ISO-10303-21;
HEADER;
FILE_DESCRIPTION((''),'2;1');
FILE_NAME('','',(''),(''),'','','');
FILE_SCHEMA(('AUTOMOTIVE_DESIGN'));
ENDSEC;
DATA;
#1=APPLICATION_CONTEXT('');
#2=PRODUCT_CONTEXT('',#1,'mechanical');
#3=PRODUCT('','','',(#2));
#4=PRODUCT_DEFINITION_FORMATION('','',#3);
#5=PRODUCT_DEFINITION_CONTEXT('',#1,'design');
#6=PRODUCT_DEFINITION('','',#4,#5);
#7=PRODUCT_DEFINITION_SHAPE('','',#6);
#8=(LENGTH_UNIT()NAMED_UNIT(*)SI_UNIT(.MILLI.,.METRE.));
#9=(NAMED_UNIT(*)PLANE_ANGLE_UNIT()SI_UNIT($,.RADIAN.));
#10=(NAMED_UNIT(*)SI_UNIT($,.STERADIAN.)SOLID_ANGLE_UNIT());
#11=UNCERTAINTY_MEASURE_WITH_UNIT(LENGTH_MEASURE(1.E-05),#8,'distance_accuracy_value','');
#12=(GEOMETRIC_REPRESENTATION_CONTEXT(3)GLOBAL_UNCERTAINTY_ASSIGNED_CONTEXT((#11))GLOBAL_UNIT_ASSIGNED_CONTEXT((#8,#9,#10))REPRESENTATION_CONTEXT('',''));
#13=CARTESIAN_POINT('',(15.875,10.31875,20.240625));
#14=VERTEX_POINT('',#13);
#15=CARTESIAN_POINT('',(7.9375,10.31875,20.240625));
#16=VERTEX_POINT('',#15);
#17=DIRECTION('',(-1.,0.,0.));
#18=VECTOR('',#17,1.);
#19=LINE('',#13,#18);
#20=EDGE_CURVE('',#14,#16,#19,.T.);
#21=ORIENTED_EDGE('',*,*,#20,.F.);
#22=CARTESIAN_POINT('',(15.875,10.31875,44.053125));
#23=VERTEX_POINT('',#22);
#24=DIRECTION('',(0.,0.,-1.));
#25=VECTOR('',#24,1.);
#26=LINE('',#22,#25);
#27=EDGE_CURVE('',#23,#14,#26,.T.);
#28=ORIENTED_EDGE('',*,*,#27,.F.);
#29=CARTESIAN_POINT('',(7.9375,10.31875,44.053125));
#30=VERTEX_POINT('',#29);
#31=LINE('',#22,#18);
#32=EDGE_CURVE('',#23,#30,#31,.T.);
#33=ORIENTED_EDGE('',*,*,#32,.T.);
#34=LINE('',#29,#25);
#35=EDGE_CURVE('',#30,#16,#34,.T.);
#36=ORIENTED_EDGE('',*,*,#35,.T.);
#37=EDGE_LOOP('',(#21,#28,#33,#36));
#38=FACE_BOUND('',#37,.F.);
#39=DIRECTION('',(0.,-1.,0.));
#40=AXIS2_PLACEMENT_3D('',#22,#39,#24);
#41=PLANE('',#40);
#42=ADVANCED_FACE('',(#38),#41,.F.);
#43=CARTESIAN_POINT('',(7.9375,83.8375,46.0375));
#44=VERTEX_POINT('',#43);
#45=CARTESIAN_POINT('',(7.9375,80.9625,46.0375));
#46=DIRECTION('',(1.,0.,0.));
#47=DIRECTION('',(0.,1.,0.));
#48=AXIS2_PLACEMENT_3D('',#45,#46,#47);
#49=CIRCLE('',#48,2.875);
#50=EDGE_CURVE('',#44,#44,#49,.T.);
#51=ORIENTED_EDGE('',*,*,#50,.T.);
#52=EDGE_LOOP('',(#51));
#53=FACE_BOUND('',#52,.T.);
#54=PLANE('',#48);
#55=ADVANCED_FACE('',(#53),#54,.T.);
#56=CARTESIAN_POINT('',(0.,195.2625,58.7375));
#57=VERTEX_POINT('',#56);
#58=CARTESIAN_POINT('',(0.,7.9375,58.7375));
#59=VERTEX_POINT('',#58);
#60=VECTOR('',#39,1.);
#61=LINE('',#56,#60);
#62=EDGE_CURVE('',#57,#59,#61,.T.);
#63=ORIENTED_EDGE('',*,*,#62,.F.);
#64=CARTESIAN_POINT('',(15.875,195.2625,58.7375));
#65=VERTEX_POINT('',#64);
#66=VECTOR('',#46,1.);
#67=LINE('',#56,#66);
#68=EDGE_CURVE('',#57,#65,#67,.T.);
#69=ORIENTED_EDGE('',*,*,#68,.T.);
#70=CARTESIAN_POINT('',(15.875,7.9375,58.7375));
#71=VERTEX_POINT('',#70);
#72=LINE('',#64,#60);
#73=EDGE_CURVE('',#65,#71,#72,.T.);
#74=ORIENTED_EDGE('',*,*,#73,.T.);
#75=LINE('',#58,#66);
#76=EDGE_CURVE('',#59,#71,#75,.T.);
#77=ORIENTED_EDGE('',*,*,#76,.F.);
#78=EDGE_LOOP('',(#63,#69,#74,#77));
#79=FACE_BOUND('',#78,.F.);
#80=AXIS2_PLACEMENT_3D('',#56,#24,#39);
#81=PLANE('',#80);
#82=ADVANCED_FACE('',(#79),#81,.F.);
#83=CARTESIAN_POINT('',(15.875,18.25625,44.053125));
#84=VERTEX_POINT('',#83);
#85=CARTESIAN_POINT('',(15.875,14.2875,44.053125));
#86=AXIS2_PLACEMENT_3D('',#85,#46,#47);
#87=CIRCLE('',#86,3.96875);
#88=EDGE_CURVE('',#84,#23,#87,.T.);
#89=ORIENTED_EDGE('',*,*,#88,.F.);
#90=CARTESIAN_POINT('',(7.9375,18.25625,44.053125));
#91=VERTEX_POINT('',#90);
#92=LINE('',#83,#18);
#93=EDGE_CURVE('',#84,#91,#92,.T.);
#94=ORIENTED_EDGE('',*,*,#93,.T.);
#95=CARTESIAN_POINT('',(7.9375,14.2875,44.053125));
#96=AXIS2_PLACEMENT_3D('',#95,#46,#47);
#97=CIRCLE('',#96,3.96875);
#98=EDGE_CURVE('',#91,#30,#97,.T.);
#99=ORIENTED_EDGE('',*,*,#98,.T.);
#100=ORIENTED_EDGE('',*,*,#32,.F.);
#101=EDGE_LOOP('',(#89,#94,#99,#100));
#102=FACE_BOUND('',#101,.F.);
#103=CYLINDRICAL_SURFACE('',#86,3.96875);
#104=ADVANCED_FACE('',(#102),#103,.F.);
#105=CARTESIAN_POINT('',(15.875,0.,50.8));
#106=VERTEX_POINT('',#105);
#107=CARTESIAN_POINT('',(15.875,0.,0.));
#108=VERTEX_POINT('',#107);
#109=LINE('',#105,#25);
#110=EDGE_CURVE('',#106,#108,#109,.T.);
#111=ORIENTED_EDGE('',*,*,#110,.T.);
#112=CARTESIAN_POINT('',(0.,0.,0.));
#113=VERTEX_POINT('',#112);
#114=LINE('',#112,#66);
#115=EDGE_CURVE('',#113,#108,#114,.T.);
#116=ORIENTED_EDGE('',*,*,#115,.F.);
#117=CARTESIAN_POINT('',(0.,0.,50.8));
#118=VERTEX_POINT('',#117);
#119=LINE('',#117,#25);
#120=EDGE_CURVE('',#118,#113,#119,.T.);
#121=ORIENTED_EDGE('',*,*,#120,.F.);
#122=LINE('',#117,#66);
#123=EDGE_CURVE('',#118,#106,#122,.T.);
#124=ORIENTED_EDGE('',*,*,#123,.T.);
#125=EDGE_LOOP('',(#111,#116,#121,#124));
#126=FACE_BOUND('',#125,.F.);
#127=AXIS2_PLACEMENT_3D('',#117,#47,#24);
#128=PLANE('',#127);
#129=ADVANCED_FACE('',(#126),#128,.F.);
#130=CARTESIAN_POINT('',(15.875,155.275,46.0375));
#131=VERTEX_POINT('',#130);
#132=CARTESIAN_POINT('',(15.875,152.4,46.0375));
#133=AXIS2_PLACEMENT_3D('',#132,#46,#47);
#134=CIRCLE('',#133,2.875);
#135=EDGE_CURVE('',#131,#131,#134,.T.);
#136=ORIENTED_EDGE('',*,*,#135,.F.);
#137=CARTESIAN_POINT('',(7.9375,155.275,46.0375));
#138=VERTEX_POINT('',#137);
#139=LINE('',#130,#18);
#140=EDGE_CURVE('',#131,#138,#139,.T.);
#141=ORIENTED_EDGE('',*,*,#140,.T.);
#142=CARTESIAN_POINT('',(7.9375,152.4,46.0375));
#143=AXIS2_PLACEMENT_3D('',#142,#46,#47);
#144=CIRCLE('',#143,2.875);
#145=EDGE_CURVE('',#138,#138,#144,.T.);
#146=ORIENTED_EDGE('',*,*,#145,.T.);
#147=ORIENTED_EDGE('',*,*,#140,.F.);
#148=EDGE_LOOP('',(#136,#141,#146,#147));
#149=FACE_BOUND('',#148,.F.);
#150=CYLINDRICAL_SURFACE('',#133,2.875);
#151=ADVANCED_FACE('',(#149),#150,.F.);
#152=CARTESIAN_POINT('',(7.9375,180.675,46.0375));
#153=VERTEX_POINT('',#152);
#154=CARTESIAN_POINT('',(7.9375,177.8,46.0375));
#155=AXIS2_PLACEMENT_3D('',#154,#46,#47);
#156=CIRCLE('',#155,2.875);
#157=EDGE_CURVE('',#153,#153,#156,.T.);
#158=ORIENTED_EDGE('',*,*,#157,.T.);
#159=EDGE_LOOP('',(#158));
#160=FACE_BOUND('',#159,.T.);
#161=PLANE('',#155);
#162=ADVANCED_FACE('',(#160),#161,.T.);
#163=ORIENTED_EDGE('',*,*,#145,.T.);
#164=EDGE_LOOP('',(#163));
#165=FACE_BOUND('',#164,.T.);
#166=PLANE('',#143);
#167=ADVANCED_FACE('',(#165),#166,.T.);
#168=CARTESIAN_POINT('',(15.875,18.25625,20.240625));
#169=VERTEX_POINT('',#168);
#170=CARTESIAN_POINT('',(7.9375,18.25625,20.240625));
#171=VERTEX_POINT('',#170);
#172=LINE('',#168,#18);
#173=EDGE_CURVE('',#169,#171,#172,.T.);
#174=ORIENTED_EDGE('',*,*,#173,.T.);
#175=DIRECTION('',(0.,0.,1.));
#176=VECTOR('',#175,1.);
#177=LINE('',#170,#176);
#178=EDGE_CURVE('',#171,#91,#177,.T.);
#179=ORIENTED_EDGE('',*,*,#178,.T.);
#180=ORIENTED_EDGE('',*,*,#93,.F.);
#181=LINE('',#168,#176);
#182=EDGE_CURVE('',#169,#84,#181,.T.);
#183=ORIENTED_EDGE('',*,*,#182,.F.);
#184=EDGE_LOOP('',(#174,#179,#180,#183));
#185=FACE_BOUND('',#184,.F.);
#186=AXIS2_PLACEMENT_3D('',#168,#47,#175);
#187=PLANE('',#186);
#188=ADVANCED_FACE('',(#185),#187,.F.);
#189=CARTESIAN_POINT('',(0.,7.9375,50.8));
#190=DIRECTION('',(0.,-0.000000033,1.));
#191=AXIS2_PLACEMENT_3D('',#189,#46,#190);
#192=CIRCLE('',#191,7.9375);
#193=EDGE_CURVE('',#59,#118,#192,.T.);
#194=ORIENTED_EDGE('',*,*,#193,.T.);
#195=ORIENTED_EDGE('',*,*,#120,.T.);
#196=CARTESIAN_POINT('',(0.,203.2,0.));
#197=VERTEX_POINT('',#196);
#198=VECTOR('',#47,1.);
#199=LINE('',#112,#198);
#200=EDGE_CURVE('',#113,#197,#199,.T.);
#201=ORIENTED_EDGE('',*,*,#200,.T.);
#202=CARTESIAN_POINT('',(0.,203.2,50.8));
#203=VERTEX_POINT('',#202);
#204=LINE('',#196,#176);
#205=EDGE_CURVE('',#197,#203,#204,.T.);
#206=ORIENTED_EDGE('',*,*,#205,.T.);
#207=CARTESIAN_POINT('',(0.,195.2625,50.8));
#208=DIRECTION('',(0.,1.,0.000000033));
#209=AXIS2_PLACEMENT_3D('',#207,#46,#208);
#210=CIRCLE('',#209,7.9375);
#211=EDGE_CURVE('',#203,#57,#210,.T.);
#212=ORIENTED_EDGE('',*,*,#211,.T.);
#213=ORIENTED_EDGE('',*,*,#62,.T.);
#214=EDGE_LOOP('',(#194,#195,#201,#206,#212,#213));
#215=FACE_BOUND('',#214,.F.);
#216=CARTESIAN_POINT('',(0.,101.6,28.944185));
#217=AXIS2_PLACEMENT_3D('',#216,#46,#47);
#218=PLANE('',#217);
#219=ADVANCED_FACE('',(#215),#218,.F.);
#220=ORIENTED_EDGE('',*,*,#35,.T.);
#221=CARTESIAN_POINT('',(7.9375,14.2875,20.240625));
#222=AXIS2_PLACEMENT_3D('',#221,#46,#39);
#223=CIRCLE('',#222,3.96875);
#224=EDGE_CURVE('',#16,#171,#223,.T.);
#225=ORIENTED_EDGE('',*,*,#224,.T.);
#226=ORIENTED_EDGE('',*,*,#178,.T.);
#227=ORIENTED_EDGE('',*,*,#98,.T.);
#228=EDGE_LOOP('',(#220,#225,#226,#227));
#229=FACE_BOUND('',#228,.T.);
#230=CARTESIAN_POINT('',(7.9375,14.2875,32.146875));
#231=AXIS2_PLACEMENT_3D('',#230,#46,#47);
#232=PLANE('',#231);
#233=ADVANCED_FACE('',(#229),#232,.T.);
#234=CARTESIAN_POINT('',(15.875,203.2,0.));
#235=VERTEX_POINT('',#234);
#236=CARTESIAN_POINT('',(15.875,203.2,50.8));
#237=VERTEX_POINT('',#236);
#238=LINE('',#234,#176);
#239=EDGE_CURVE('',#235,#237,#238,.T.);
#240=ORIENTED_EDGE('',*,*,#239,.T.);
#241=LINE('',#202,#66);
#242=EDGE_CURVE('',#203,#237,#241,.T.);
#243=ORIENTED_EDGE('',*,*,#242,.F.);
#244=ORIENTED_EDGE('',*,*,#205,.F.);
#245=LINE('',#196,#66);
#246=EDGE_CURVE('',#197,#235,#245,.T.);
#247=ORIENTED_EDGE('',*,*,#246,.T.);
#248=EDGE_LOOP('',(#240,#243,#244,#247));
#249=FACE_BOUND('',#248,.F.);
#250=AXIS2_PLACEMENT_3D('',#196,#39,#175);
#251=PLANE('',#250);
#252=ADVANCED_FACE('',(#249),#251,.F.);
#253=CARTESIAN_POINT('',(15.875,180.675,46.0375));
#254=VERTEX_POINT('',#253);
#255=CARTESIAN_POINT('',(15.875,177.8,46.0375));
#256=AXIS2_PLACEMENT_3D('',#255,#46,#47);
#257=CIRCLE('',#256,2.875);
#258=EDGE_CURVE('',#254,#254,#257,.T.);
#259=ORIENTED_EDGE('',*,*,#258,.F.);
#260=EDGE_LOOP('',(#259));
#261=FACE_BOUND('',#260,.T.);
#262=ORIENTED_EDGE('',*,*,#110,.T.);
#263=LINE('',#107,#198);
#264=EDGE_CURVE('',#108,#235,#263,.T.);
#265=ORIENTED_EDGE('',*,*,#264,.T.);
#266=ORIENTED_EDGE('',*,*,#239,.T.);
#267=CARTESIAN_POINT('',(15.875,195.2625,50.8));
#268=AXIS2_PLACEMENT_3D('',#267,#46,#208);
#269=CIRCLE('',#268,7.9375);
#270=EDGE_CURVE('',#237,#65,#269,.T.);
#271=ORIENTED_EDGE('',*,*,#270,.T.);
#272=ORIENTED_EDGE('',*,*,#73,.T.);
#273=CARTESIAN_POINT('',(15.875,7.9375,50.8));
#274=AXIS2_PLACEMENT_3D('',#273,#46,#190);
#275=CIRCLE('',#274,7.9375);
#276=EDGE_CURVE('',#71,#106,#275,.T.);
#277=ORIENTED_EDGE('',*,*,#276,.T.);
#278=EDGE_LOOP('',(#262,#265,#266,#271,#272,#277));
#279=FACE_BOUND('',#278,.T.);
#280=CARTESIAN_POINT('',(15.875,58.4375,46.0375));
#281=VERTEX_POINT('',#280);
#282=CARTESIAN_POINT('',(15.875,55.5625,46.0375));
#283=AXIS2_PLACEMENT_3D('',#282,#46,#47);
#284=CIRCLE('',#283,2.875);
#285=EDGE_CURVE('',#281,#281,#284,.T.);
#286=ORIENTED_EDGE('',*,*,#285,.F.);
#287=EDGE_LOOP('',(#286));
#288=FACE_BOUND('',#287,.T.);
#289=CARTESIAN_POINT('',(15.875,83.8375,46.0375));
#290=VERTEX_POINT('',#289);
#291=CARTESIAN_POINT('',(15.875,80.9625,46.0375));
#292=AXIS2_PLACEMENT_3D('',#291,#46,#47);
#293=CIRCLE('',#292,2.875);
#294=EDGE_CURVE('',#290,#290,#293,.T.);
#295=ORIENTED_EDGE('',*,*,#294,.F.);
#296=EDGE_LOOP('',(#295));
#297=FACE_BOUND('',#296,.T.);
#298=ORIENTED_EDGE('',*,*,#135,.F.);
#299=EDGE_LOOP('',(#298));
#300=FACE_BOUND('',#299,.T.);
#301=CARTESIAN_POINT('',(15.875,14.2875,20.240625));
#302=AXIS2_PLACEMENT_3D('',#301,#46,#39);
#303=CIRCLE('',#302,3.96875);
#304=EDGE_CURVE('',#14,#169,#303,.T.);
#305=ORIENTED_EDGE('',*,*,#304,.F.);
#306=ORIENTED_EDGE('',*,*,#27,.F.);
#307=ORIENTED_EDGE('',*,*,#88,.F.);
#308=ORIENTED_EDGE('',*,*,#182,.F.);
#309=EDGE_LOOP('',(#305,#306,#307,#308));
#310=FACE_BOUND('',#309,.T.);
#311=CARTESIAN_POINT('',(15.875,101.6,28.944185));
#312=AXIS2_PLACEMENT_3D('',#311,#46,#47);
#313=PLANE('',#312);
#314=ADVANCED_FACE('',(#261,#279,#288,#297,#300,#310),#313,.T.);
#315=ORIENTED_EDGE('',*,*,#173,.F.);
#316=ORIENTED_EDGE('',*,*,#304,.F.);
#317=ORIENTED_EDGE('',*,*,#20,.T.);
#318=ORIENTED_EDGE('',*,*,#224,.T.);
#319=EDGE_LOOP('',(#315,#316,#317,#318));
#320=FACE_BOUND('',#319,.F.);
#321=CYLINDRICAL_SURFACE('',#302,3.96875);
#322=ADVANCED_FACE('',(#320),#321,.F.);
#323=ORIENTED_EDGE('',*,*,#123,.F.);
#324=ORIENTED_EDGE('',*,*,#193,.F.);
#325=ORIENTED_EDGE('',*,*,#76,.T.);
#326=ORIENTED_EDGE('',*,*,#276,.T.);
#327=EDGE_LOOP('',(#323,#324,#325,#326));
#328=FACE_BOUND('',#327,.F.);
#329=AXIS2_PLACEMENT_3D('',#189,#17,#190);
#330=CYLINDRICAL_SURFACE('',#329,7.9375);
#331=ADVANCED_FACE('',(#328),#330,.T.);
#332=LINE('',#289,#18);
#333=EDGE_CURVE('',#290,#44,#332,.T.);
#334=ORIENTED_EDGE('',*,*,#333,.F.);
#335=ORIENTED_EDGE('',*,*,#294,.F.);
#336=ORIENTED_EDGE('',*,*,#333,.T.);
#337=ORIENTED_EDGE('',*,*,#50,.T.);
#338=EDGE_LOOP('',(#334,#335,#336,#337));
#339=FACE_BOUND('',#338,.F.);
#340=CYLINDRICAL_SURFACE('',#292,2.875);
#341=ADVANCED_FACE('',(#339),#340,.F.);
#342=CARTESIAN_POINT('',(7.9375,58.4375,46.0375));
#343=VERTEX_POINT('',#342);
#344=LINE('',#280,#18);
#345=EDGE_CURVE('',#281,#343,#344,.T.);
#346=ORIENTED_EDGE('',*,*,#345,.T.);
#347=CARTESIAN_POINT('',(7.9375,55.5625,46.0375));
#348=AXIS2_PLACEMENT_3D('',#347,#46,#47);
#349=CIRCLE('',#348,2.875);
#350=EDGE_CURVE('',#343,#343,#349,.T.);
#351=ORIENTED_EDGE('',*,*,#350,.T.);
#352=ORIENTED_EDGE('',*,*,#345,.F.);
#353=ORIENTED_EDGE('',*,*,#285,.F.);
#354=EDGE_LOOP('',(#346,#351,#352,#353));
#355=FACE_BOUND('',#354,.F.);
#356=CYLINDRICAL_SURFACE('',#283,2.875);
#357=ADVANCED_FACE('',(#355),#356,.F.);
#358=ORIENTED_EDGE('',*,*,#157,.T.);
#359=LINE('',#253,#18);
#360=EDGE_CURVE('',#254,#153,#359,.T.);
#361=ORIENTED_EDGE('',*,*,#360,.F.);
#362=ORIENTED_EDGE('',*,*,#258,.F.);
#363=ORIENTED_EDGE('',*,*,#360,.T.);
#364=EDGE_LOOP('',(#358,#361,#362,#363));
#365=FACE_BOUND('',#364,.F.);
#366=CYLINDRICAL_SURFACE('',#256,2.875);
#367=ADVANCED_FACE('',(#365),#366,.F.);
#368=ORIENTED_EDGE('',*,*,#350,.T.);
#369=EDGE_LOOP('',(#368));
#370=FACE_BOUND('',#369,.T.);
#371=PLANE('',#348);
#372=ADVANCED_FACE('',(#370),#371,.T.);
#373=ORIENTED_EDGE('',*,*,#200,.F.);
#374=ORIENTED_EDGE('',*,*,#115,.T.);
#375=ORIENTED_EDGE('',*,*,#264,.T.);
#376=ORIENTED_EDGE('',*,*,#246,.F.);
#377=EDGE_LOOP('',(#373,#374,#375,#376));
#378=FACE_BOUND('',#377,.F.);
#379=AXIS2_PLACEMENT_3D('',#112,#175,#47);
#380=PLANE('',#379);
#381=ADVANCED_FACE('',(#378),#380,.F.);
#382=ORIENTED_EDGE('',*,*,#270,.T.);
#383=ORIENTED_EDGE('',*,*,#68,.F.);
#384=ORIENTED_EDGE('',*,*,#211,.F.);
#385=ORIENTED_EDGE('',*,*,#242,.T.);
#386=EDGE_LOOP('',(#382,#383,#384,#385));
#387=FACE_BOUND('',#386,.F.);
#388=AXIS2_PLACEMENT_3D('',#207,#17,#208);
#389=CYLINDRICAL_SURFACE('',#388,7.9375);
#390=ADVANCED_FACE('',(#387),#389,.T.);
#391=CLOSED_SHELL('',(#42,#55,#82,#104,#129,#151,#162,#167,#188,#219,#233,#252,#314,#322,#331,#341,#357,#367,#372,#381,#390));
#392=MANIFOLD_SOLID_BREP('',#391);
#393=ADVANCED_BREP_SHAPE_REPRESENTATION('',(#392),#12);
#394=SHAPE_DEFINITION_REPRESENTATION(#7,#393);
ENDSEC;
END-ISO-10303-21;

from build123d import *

# Parameters (mm, degrees)
F1_DEPTH = 15.875
F2_R     = 2.875
F3_DEPTH = 7.9375


with BuildPart() as f1:
    # F0 (on Right) → F1 (new body)
    with BuildSketch(Plane.YZ):
        with BuildLine():
            Line((0, 50.8), (0, 0))
            Line((0, 0), (203.2, 0))
            Line((203.2, 0), (203.2, 50.8))
            ThreePointArc((203.2, 50.8), (200.87516, 56.41266), (195.2625, 58.7375))
            Line((195.2625, 58.7375), (7.9375, 58.7375))
            ThreePointArc((7.9375, 58.7375), (2.32484, 56.41266), (0, 50.8))
        make_face()
    extrude(amount=F1_DEPTH)

    # F2 (on face) → F3 (cut)
    with BuildSketch(Plane.YZ.offset(15.875)):
        with BuildLine():
            ThreePointArc((18.25625, 44.053125), (14.2875, 48.021875), (10.31875, 44.053125))
            Line((10.31875, 44.053125), (10.31875, 20.240625))
            ThreePointArc((10.31875, 20.240625), (14.2875, 16.271875), (18.25625, 20.240625))
            Line((18.25625, 20.240625), (18.25625, 44.053125))
        make_face()
        with Locations((55.5625, 46.0375)):
            Circle(F2_R)
        with Locations((80.9625, 46.0375)):
            Circle(F2_R)
        with Locations((152.4, 46.0375)):
            Circle(F2_R)
        with Locations((177.8, 46.0375)):
            Circle(F2_R)
    extrude(amount=-F3_DEPTH, mode=Mode.SUBTRACT)


solid = f1.part
